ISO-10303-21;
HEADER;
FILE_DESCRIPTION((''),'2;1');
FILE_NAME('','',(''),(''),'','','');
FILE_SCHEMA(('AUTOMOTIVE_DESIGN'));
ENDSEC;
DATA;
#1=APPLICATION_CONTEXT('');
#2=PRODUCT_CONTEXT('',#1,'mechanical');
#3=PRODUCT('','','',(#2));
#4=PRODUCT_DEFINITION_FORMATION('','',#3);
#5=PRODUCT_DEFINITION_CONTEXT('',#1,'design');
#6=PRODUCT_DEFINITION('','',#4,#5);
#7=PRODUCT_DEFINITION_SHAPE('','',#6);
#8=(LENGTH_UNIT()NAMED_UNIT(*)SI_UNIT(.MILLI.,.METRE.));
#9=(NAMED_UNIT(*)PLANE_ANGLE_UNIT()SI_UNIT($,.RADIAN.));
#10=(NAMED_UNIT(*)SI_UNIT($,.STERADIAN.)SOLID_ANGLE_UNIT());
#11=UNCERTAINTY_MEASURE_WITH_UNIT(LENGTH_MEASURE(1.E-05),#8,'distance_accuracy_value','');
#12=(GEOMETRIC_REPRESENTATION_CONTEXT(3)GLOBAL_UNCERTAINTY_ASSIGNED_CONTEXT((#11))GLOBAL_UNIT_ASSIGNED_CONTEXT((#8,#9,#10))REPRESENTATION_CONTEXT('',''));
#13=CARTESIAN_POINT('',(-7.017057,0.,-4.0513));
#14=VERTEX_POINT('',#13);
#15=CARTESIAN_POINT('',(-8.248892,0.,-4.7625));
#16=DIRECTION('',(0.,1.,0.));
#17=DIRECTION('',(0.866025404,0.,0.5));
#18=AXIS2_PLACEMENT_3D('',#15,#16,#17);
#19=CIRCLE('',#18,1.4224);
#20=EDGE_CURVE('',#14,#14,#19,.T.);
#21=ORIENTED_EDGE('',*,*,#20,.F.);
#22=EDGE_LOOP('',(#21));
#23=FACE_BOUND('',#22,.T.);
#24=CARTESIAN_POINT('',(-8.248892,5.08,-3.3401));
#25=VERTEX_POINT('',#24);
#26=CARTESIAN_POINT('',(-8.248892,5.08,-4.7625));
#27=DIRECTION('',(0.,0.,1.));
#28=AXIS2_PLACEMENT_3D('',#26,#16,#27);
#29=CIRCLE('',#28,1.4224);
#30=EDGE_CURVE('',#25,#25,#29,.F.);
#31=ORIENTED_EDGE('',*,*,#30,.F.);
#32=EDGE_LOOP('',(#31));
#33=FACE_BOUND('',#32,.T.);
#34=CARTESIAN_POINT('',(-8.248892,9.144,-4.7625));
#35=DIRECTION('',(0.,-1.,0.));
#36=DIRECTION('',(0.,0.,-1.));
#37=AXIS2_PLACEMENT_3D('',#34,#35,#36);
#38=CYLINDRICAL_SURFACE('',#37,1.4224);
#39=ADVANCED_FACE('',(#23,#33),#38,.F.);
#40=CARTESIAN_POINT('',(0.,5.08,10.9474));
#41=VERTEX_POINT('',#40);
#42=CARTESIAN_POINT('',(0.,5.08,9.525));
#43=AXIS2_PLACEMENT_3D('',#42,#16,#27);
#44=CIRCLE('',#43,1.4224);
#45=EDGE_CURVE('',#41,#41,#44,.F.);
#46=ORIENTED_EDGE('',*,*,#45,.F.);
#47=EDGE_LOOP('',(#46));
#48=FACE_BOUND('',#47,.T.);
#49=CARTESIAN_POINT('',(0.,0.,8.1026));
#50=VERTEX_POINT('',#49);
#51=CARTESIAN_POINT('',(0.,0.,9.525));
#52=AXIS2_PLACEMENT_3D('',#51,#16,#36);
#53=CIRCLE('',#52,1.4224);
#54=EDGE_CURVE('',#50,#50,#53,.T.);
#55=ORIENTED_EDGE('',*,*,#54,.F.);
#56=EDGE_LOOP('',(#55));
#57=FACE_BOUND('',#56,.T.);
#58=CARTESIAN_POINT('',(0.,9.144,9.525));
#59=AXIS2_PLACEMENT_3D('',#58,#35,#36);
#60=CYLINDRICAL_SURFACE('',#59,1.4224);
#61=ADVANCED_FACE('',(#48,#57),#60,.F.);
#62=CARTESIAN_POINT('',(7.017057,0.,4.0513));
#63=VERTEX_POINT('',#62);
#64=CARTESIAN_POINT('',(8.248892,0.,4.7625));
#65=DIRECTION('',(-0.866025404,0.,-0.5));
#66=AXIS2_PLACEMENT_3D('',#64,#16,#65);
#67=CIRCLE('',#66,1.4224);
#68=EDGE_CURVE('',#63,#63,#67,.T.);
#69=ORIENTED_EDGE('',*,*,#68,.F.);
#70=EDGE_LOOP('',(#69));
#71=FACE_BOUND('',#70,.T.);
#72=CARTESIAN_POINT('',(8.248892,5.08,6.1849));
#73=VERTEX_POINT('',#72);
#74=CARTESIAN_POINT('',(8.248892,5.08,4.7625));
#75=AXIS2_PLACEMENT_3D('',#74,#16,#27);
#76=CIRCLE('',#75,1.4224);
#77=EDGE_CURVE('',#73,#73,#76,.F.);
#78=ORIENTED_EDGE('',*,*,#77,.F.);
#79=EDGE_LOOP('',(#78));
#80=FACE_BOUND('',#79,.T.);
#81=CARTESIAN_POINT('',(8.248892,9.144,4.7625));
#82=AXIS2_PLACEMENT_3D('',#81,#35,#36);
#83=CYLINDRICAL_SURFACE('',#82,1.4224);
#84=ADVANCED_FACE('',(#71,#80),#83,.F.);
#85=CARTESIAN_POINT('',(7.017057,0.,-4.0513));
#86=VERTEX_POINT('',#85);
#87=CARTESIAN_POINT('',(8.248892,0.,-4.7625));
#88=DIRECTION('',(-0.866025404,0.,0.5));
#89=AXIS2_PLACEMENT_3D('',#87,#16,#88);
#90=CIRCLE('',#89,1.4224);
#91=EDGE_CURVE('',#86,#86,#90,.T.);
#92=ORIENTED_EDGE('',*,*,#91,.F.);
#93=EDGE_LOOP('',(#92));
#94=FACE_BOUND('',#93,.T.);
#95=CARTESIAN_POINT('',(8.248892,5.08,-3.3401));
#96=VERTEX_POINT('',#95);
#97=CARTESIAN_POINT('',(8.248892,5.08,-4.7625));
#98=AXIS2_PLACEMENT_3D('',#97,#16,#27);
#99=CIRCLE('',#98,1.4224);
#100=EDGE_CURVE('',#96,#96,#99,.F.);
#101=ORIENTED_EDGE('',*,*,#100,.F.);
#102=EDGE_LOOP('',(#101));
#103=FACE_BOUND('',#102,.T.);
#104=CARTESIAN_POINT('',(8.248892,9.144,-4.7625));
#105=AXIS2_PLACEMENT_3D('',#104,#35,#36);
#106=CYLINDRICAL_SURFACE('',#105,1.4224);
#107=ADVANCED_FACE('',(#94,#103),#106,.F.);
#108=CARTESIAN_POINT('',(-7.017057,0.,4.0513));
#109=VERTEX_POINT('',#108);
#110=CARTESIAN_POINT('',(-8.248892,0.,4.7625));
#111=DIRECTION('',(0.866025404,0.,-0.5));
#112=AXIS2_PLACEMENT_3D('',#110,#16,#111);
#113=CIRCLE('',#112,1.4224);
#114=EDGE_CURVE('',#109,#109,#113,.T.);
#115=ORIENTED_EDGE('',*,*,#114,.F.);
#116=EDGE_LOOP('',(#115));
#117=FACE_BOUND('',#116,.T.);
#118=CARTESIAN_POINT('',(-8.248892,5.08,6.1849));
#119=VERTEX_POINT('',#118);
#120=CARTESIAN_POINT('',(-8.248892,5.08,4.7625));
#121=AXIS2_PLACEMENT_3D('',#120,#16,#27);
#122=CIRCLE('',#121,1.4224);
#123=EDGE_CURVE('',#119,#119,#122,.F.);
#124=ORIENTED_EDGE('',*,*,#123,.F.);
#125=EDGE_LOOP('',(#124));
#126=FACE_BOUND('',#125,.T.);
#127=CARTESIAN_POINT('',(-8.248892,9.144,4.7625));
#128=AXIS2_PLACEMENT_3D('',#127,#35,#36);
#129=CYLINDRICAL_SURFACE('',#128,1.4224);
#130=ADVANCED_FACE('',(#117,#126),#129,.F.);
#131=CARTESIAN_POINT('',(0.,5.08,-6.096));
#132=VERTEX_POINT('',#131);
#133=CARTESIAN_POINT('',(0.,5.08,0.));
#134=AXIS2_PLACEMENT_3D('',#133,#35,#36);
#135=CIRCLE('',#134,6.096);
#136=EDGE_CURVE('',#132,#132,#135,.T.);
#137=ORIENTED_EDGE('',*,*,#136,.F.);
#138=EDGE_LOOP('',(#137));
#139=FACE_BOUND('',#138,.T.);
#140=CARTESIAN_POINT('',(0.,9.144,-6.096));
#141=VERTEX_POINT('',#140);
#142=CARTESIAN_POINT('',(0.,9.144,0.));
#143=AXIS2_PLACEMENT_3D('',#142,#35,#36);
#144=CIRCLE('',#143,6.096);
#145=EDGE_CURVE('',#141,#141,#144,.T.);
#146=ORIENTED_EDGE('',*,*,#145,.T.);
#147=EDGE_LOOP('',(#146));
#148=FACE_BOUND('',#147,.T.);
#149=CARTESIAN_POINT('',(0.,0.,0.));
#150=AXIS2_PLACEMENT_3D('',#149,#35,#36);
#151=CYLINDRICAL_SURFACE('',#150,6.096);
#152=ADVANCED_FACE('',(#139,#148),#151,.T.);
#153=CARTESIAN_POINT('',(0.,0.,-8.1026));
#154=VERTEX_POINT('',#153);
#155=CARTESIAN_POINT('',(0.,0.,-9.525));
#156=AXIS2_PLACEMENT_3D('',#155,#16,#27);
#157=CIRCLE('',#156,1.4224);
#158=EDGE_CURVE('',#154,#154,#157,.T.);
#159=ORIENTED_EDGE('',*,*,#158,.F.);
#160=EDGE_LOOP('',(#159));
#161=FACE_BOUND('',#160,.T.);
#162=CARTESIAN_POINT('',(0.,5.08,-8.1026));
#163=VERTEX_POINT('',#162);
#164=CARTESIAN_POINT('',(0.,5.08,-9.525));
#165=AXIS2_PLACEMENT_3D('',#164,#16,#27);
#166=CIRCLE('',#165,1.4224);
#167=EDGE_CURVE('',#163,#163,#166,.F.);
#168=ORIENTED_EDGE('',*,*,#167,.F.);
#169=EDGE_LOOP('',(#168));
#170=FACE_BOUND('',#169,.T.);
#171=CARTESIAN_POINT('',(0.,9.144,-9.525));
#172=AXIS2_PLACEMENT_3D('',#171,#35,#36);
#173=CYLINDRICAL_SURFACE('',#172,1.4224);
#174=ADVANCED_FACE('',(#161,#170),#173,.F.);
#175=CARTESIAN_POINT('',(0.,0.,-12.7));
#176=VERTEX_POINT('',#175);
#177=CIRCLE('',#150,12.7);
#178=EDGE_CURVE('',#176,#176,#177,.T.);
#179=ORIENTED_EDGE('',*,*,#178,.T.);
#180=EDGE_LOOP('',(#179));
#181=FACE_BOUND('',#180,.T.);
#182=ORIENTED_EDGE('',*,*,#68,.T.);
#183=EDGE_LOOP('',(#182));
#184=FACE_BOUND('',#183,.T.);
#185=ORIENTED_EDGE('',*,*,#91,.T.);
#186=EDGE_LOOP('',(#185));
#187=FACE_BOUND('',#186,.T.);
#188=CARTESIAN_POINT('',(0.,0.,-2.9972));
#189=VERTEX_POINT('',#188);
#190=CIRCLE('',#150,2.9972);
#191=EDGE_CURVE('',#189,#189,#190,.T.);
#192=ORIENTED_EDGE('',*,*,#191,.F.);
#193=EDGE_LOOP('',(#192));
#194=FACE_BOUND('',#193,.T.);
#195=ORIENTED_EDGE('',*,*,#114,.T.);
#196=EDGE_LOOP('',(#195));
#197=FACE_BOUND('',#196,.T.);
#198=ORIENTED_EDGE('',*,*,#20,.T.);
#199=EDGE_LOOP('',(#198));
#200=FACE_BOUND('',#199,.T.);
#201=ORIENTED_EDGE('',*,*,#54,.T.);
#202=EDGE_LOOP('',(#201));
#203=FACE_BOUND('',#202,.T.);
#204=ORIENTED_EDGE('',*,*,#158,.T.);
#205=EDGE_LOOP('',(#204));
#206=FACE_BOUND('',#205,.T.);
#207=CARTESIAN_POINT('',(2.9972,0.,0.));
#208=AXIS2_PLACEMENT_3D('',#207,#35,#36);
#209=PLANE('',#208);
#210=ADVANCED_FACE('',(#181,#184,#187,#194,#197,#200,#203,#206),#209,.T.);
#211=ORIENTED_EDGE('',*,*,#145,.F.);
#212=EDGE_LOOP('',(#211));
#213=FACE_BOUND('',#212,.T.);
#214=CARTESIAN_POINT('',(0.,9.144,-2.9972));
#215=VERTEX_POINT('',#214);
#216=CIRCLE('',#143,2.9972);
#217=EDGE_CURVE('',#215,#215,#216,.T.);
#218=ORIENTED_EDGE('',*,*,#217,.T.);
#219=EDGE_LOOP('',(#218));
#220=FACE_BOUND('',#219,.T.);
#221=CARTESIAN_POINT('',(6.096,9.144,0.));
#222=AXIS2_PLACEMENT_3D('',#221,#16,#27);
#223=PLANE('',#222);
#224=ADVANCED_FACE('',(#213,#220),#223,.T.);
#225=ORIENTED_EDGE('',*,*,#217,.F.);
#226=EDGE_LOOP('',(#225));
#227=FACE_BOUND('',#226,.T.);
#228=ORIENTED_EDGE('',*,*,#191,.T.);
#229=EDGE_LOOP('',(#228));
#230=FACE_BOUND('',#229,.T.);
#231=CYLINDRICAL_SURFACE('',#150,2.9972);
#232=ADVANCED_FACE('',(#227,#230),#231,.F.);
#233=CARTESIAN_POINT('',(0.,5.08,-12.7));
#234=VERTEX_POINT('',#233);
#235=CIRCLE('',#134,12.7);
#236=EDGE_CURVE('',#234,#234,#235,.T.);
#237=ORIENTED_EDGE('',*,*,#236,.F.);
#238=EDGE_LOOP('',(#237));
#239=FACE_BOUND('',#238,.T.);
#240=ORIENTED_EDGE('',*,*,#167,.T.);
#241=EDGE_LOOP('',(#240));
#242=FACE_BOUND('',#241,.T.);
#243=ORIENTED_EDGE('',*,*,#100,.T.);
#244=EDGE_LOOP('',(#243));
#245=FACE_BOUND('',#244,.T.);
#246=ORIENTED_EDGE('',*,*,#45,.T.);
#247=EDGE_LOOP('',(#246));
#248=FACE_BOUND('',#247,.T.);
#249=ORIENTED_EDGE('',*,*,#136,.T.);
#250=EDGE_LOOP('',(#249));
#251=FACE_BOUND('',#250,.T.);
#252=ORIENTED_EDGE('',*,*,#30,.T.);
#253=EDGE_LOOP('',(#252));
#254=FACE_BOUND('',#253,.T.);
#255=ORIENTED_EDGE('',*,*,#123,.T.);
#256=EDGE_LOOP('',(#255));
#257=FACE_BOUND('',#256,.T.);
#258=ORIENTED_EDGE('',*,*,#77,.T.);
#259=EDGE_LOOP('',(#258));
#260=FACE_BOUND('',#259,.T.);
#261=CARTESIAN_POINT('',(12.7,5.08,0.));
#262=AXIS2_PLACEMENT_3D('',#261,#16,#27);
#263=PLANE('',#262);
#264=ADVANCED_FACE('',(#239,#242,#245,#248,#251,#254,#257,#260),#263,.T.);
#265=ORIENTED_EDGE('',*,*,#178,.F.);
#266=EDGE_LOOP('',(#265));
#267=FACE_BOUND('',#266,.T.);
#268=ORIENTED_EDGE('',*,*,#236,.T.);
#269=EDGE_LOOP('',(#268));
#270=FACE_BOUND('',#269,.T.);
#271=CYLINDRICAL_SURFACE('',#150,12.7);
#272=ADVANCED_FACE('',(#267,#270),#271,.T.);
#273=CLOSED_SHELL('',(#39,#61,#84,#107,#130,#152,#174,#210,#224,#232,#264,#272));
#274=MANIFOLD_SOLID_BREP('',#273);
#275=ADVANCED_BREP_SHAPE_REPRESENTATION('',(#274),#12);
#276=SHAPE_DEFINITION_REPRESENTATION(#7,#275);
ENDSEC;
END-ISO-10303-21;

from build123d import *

# Parameters (mm, degrees)
SKETCH2_R          = 1.4224
CUT_EXTRUDE1_DEPTH = 21.154223776
CIRPATTERN1_COUNT  = 6


with BuildPart() as part:
    # Sketch1 → Revolve1 (revolve)
    with BuildSketch(Plane.XY, mode=Mode.PRIVATE) as revolve1_sk:
        Polygon((2.9972, 0), (12.7, 0), (12.7, 5.08), (6.096, 5.08), (6.096, 9.144), (2.9972, 9.144), align=None)
    revolve(revolve1_sk.sketch.rotate(Axis((0, 0, 0), (0, 1, 0)), 90), axis=Axis((0, 0, 0), (0, 1, 0)))

    # Sketch2 → Cut-Extrude1 (cut, through all)
    with BuildSketch(Plane(origin=(0, 0, 0), x_dir=(1, 0, 0), z_dir=(0, 1, 0))):
        with Locations(Location((0, 9.525, 0), (0, 0, 270))):
            Circle(SKETCH2_R)
    cut_extrude1 = extrude(amount=CUT_EXTRUDE1_DEPTH, mode=Mode.SUBTRACT)

    # CirPattern1: Cut-Extrude1 ×6 about axis
    cirpattern1_axis = Axis((0, 0, 0), (0, 1, 0))
    for i in range(1, CIRPATTERN1_COUNT):
        add(cut_extrude1.rotate(cirpattern1_axis, i * 360 / CIRPATTERN1_COUNT), mode=Mode.SUBTRACT)


solid = part.part
